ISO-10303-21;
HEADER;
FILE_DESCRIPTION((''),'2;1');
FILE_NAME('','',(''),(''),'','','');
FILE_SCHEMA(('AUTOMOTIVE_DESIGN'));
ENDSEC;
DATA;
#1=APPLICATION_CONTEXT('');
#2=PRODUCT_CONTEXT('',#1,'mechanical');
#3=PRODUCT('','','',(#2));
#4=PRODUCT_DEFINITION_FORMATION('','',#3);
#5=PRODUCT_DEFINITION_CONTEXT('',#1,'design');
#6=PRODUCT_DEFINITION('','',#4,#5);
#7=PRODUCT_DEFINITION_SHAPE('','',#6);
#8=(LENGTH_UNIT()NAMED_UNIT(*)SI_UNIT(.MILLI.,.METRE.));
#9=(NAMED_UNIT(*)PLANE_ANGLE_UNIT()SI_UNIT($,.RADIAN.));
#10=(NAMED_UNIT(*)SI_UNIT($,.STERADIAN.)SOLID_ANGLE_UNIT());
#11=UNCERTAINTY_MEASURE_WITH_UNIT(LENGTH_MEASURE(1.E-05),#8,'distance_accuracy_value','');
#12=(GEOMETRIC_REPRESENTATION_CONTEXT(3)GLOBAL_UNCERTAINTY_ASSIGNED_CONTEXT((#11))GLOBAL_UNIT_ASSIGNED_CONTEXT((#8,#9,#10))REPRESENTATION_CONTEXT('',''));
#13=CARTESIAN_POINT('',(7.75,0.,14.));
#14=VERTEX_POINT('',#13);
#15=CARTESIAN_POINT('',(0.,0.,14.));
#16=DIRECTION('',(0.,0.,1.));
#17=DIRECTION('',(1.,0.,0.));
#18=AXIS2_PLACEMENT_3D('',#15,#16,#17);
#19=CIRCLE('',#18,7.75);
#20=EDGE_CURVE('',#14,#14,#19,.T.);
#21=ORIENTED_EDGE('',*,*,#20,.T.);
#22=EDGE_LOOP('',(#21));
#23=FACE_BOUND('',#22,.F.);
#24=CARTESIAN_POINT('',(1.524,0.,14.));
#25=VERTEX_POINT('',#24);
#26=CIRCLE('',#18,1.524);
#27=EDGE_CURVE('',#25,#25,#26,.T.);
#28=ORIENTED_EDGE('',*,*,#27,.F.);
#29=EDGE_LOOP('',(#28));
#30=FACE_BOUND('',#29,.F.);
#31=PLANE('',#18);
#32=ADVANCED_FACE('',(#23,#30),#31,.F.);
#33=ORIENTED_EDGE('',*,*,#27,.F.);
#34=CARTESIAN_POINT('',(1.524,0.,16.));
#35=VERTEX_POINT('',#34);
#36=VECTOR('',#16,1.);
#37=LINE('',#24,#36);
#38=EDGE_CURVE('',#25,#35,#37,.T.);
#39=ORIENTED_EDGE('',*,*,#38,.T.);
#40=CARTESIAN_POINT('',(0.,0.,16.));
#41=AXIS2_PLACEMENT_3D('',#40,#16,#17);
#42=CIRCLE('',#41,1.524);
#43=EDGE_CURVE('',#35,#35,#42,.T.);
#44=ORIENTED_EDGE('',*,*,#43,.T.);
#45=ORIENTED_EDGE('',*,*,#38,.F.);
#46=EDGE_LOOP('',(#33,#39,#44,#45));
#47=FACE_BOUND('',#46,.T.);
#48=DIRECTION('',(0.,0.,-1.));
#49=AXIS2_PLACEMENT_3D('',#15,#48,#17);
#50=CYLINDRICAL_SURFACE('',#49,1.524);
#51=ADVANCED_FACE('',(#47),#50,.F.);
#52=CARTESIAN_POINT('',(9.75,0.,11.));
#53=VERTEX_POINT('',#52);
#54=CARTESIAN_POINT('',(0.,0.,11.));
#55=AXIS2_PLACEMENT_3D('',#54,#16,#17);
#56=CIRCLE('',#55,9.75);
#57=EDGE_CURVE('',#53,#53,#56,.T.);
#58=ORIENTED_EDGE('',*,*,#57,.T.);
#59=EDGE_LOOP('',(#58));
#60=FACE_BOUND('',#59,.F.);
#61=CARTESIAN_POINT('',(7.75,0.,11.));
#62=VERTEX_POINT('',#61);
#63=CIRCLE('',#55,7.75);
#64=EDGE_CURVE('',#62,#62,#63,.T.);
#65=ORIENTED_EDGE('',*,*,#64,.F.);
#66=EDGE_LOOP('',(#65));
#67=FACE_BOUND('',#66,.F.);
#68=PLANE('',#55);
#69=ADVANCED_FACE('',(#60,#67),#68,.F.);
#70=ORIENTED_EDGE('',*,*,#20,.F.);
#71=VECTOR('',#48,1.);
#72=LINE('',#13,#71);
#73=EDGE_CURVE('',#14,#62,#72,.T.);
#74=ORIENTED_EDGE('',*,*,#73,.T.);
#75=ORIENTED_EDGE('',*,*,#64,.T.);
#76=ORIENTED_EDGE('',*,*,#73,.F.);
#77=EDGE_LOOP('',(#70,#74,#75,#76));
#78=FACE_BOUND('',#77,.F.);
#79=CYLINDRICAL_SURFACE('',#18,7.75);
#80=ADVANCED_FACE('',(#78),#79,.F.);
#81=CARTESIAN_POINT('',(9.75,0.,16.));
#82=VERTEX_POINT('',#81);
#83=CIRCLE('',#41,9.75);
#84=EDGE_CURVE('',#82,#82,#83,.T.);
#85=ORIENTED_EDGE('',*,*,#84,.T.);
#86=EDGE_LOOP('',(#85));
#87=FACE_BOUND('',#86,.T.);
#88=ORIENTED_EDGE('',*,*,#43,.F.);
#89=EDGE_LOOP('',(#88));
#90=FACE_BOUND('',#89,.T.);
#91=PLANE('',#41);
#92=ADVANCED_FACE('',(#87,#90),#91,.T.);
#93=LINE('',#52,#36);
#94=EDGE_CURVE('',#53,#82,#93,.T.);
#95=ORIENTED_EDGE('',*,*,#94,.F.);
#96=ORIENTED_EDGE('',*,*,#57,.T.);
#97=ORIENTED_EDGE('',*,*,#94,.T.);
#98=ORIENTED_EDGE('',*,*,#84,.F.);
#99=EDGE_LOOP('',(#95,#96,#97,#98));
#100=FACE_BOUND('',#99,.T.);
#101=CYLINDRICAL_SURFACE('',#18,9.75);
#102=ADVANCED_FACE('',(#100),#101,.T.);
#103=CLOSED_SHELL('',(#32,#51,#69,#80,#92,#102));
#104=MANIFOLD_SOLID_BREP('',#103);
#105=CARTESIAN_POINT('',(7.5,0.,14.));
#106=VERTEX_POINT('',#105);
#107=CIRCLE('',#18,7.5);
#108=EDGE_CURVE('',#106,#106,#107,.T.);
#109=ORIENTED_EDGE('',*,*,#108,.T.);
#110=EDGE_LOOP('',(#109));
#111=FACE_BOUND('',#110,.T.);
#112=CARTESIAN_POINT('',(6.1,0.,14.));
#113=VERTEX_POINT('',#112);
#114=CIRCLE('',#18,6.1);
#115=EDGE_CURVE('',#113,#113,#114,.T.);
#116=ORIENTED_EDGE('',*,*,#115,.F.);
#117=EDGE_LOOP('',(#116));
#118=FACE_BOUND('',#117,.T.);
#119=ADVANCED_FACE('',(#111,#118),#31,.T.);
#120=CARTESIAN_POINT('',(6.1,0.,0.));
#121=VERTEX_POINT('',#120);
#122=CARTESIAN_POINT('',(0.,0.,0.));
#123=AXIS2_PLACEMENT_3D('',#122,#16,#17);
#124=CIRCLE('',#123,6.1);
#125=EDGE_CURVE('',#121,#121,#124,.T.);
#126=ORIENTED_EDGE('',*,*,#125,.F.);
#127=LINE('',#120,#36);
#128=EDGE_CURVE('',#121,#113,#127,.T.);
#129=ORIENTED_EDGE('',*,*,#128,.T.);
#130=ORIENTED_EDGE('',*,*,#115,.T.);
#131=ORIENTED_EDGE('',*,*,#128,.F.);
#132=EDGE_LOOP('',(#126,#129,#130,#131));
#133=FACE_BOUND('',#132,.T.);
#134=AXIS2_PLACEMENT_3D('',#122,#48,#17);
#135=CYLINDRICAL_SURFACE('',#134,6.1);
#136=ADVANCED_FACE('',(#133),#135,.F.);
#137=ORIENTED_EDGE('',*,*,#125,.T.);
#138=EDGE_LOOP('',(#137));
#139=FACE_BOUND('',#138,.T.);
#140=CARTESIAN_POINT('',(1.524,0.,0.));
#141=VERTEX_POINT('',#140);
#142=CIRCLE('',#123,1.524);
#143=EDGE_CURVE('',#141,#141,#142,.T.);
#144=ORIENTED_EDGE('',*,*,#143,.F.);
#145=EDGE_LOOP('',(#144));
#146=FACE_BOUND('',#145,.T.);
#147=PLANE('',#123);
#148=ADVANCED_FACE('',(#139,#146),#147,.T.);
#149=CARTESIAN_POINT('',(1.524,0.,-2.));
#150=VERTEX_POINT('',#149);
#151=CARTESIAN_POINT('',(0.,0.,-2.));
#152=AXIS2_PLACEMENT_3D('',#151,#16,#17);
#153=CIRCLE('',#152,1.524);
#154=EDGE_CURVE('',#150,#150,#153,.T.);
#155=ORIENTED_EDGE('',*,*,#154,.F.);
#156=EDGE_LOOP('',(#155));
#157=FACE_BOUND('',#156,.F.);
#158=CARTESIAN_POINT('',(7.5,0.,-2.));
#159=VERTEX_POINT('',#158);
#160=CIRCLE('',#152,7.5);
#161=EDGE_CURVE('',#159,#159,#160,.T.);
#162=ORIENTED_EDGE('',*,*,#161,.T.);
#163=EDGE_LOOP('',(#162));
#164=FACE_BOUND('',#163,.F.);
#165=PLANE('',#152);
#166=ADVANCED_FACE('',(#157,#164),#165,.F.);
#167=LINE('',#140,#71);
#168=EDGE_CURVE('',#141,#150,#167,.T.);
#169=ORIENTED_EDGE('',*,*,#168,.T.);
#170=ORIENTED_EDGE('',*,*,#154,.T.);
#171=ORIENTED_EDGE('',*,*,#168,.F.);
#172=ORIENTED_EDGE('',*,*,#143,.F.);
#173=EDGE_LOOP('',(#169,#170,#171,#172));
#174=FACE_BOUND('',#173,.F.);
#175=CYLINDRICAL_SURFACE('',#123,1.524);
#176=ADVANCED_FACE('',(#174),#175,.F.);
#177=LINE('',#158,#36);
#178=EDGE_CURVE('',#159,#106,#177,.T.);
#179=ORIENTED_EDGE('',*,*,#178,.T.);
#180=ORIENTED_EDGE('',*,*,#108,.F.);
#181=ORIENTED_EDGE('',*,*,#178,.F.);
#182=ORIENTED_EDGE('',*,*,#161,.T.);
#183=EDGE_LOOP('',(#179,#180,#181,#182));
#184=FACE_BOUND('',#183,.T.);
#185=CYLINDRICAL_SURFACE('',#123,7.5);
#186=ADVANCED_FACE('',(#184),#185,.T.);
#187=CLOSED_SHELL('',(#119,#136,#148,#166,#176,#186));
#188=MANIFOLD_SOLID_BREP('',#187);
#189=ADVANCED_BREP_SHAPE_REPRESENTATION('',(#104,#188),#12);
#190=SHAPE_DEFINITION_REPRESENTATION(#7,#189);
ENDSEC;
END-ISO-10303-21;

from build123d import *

# Parameters (mm, degrees)
F0_R     = 7.5
F0_R_2   = 6.1
F1_DEPTH = 14
F0_R_3   = 1.524
F2_DEPTH = 2
F3_R     = 9.75
F3_R_2   = 7.75
F3_R_3   = 7.5
F3_R_4   = 6.1
F3_R_5   = 1.524
F4_DEPTH = 2
F5_DEPTH = 3


with BuildPart() as f1:
    # F0 (on Top) → F1 (new body)
    with BuildSketch(Plane.XY):
        Circle(F0_R)
        Circle(F0_R_2, mode=Mode.SUBTRACT)
    extrude(amount=F1_DEPTH)

    # F0 (on Top) → F2 (join)
    with BuildSketch(Plane.XY):
        Circle(F0_R)
        Circle(F0_R_2, mode=Mode.SUBTRACT)
        Circle(F0_R_2)
        Circle(F0_R_3, mode=Mode.SUBTRACT)
    extrude(amount=-F2_DEPTH)


with BuildPart() as f4:
    # F3 (on face) → F4 (new body)
    with BuildSketch(Plane.XY.offset(14)):
        Circle(F3_R)
        Circle(F3_R_2, mode=Mode.SUBTRACT)
        Circle(F3_R_2)
        Circle(F3_R_3, mode=Mode.SUBTRACT)
        Circle(F3_R_3)
        Circle(F3_R_4, mode=Mode.SUBTRACT)
        Circle(F3_R_4)
        Circle(F3_R_5, mode=Mode.SUBTRACT)
    extrude(amount=F4_DEPTH)

    # F3 (on face) → F5 (join)
    with BuildSketch(Plane.XY.offset(14)):
        Circle(F3_R)
        Circle(F3_R_2, mode=Mode.SUBTRACT)
    extrude(amount=-F5_DEPTH)


solid = Compound([f1.part, f4.part])
